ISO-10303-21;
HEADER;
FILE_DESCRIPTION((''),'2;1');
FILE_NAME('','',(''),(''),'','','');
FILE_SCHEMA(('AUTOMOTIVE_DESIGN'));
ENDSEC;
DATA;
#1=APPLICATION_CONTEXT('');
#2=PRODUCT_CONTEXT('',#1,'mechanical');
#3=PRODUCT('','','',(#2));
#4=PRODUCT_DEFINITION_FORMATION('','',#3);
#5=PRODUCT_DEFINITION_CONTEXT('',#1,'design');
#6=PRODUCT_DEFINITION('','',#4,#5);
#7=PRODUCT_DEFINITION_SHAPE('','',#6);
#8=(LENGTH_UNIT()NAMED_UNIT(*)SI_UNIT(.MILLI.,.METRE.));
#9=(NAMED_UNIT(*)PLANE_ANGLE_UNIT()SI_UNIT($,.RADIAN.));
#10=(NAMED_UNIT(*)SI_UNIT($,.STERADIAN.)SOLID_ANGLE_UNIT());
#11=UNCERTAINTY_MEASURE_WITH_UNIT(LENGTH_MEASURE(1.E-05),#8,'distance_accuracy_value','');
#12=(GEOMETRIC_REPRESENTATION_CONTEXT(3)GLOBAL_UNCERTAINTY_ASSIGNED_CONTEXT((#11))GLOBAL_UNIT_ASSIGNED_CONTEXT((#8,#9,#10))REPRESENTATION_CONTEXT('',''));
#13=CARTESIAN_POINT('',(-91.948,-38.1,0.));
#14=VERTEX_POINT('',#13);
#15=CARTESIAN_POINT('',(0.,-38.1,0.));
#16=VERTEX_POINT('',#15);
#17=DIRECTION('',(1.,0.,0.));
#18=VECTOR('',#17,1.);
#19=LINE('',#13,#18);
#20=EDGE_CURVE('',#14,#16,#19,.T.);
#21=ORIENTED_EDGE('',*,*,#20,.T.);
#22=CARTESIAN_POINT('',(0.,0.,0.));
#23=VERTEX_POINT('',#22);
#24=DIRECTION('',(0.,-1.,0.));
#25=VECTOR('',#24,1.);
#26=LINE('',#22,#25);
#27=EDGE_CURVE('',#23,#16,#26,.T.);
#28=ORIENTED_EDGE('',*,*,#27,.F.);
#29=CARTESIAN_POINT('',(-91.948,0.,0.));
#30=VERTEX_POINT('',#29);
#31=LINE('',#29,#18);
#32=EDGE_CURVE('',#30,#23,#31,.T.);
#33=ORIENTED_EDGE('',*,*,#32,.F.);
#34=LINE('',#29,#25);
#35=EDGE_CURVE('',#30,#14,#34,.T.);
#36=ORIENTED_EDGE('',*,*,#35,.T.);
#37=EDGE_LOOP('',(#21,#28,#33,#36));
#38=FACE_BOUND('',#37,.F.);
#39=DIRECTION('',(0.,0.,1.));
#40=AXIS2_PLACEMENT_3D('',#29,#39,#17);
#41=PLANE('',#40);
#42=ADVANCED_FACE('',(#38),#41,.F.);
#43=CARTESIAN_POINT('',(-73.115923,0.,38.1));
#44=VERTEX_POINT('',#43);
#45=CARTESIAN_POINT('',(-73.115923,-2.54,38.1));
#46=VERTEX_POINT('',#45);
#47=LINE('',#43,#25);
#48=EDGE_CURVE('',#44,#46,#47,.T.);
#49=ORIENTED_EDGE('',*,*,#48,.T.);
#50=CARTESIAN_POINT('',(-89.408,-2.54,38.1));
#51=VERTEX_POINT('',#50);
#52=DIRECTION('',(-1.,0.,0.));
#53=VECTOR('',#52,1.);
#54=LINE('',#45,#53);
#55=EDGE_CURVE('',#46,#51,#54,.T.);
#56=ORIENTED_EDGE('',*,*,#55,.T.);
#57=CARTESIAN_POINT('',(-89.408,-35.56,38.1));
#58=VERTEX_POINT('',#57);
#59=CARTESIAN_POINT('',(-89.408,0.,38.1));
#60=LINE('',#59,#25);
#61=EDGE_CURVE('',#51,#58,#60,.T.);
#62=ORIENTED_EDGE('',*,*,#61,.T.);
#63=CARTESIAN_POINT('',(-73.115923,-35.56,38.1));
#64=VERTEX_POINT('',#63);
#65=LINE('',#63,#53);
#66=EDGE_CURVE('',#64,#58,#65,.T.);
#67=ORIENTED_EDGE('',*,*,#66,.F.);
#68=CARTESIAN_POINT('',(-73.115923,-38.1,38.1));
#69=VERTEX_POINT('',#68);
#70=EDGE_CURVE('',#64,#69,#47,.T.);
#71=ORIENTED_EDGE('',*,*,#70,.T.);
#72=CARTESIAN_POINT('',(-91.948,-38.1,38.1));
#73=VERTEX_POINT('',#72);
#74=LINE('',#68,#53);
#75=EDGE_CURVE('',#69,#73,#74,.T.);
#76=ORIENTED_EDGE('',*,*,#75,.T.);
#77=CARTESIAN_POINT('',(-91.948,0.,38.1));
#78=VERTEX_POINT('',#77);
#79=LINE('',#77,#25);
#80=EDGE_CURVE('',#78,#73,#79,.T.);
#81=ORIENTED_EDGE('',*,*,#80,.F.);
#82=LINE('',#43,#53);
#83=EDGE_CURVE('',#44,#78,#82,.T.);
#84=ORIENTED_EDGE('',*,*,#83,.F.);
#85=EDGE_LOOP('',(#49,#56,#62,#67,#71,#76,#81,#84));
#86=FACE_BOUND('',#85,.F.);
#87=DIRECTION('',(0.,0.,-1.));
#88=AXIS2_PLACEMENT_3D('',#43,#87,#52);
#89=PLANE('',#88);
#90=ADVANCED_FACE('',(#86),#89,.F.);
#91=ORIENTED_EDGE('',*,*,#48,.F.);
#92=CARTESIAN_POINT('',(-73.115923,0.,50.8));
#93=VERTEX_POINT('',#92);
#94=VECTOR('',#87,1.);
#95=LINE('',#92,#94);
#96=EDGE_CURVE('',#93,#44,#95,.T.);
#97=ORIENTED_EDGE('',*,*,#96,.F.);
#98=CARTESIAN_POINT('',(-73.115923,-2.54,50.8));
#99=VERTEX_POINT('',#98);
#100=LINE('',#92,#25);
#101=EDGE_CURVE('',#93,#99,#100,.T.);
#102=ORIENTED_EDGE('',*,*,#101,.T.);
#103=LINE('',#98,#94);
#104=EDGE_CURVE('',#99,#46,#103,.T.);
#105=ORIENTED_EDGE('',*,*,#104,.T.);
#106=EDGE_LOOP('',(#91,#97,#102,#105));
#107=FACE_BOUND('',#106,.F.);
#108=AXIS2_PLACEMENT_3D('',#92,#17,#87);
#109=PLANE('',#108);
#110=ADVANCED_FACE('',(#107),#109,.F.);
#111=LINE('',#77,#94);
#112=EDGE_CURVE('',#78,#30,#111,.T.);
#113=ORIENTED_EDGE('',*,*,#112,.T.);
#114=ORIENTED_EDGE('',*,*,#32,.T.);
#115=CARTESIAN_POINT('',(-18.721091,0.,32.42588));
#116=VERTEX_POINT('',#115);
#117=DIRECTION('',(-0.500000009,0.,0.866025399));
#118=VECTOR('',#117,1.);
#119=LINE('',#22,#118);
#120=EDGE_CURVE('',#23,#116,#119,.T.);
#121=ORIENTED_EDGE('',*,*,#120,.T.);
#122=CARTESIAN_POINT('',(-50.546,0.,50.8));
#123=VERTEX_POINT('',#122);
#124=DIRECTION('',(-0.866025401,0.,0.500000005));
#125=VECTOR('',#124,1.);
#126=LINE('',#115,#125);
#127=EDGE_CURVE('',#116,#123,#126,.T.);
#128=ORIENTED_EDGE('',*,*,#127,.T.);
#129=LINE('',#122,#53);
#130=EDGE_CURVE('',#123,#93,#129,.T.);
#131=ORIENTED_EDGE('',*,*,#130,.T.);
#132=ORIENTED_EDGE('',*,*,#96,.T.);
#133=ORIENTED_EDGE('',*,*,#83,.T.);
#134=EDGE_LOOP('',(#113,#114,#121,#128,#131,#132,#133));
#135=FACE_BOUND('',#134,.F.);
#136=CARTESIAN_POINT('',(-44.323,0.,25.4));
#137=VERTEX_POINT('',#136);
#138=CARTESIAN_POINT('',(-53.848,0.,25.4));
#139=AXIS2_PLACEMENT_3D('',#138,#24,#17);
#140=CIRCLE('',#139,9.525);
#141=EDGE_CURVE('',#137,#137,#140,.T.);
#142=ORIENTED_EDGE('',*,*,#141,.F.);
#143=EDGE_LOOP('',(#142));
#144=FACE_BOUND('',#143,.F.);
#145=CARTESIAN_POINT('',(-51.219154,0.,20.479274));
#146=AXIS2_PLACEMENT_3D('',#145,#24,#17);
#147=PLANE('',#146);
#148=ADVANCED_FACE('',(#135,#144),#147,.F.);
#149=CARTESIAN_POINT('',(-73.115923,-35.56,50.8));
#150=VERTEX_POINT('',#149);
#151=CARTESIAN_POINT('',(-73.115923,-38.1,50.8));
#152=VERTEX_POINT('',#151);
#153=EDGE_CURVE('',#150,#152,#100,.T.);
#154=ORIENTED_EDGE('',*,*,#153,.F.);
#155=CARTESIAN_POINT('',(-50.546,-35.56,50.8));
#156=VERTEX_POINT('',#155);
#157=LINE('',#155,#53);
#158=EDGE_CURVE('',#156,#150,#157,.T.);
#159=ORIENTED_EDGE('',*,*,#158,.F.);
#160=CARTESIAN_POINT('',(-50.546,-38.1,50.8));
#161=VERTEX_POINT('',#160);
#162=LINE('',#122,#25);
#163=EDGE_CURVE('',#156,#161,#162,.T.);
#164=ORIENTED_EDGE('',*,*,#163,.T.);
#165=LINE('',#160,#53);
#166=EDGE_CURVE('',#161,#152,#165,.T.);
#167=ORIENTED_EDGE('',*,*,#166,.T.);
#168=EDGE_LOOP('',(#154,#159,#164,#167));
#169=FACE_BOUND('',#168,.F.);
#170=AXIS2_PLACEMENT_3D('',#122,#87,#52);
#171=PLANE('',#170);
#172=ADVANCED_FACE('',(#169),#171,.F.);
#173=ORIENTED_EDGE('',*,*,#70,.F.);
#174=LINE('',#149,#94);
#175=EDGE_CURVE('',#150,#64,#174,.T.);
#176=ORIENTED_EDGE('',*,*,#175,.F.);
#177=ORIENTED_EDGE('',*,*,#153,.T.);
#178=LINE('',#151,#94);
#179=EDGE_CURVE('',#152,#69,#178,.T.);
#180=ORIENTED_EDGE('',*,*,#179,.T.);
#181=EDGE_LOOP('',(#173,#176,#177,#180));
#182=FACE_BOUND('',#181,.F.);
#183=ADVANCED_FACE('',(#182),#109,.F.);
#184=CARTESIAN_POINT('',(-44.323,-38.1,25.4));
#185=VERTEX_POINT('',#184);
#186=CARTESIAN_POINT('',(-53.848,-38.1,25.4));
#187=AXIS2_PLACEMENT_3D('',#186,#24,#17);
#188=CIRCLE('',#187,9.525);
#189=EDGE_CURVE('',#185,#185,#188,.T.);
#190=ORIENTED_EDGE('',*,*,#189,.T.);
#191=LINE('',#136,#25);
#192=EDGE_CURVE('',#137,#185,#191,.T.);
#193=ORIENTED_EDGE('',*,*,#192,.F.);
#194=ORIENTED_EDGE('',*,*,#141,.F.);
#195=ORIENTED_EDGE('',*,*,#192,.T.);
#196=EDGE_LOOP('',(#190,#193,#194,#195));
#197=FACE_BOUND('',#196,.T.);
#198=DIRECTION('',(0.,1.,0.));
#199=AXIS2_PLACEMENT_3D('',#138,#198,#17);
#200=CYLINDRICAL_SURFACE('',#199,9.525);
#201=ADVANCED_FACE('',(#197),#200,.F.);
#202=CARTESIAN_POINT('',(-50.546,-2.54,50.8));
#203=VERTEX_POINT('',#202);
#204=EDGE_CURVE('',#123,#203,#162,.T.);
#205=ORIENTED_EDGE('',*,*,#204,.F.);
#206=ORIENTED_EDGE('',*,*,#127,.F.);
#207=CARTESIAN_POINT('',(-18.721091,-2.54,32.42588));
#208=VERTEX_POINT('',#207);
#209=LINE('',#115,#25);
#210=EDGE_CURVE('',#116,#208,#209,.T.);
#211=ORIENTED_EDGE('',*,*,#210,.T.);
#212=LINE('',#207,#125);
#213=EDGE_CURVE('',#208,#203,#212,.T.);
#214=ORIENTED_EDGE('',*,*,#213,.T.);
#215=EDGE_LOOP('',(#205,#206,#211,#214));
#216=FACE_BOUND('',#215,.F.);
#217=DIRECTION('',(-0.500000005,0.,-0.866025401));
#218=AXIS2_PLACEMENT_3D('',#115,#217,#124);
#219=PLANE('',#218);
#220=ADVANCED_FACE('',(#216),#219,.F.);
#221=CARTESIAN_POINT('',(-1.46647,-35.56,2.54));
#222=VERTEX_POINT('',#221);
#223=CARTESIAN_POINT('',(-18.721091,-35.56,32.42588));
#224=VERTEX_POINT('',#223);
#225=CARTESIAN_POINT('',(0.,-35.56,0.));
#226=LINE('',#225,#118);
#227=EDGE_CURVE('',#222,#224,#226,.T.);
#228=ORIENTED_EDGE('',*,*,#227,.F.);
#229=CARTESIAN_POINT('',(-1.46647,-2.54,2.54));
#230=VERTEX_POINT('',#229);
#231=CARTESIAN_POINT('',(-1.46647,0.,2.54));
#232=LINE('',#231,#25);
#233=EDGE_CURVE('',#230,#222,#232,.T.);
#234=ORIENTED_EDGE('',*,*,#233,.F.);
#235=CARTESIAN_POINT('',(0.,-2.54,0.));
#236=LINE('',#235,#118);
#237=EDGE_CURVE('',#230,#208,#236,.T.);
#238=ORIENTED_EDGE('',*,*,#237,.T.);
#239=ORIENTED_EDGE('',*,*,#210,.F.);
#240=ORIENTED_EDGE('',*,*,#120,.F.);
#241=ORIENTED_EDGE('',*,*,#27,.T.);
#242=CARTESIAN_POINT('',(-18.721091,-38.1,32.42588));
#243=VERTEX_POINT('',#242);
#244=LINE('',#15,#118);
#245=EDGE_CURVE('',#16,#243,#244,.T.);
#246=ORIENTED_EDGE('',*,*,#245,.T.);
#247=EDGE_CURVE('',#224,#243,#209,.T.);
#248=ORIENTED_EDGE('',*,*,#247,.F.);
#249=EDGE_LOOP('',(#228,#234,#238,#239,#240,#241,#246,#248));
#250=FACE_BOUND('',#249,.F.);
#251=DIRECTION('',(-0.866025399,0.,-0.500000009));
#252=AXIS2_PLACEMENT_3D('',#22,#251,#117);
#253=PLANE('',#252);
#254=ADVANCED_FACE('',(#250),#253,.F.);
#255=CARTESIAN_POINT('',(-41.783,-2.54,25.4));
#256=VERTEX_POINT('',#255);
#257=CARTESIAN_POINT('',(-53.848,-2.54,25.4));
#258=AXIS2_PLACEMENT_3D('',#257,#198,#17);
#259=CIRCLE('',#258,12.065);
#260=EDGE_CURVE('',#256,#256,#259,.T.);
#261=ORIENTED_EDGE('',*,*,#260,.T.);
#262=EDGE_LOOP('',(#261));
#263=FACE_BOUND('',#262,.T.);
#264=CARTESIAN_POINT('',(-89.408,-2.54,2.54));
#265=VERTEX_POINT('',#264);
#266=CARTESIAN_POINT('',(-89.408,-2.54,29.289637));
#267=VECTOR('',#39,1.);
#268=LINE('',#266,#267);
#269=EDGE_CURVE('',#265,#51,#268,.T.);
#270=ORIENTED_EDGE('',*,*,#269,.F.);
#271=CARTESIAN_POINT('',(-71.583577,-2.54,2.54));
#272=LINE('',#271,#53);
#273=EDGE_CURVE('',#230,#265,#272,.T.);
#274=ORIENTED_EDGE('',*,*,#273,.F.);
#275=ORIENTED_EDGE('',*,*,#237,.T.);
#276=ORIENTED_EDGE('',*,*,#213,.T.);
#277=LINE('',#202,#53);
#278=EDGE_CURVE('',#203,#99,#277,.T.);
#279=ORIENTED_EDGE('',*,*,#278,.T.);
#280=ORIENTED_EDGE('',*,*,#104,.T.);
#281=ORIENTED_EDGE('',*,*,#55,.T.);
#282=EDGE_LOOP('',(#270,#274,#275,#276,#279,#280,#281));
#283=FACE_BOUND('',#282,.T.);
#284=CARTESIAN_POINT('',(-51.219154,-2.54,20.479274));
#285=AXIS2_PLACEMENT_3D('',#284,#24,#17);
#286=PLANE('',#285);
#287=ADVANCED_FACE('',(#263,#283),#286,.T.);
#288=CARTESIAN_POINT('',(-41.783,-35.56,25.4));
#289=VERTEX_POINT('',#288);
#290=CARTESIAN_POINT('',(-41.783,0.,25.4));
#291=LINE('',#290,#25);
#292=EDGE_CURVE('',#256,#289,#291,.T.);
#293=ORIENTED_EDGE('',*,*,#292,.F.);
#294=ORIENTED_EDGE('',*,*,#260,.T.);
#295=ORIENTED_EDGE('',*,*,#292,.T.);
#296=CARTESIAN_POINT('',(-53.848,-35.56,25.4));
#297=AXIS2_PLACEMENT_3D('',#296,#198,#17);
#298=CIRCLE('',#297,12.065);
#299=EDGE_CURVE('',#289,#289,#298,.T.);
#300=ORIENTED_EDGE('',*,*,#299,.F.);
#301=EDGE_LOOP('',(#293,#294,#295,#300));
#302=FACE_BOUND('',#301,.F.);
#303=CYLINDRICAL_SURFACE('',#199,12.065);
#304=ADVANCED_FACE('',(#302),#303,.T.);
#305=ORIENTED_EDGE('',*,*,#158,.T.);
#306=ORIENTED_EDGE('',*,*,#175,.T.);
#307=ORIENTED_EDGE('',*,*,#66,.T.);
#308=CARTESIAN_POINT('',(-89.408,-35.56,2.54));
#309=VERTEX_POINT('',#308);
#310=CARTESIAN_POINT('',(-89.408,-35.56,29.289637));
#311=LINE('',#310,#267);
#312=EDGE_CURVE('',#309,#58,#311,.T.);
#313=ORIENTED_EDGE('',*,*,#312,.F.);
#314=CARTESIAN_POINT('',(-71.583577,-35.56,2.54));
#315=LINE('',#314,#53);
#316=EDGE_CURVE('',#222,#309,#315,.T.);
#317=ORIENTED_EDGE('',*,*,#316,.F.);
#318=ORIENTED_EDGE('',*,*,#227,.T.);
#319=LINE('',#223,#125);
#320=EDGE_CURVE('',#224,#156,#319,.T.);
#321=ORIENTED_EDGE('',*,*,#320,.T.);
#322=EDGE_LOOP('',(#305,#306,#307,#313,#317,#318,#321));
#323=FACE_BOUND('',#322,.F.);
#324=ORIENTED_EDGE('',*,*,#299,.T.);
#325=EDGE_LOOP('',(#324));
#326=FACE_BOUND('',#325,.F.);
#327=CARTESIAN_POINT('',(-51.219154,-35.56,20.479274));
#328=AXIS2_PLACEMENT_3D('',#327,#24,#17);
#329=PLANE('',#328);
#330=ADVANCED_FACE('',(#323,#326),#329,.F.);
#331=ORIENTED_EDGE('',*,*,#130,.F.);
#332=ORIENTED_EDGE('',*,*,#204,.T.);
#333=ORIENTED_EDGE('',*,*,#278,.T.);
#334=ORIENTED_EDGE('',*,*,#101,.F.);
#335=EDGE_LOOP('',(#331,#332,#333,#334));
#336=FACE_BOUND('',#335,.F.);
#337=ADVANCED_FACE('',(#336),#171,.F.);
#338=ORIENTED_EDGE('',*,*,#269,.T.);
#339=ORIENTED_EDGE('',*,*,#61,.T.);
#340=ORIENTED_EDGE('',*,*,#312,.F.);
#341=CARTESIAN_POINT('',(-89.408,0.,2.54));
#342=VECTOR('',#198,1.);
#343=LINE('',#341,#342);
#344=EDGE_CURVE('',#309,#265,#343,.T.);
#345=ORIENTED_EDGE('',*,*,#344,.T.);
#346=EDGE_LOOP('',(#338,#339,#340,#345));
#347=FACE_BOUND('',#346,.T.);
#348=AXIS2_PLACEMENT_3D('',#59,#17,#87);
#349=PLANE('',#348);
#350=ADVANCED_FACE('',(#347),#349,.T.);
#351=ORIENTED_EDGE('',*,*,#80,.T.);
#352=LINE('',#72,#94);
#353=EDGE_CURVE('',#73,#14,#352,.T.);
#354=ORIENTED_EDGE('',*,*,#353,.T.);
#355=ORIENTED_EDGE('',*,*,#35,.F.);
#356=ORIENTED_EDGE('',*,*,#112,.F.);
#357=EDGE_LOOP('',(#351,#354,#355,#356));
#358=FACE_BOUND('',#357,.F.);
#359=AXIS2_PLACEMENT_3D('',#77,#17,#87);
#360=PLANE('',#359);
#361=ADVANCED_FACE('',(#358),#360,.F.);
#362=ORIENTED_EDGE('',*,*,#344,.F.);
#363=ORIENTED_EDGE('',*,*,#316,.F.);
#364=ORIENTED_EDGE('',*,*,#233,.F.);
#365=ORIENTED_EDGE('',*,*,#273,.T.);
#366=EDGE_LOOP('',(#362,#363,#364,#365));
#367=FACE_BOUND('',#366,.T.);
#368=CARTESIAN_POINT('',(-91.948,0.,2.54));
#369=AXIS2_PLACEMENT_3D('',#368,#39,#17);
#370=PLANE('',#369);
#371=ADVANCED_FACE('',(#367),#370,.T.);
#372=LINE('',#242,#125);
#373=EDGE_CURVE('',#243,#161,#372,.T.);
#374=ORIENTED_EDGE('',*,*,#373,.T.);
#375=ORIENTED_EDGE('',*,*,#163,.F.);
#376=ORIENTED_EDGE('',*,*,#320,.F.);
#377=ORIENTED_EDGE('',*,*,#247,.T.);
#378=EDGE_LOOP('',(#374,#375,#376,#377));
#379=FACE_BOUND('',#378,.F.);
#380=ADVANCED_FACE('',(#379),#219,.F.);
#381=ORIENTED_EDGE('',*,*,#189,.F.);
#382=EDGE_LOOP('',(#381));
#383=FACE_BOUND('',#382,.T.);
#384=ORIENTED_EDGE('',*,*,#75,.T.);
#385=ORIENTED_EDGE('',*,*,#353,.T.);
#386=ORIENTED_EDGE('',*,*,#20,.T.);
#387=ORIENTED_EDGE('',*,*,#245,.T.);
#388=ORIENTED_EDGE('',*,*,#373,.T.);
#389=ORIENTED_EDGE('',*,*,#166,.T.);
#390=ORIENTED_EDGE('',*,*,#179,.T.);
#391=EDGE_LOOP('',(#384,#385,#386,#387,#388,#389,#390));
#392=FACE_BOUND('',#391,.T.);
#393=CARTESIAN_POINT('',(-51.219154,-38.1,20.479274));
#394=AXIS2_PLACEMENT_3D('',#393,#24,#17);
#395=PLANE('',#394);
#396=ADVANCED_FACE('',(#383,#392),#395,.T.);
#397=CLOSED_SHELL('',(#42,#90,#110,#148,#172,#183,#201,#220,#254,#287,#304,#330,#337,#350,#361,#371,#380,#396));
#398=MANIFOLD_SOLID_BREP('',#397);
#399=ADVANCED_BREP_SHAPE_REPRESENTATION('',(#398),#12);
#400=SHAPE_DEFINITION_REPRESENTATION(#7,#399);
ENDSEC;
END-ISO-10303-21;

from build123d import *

# Parameters (mm, degrees)
F0_R     = 9.525
F1_DEPTH = 38.1
F2_T     = -2.54


with BuildPart() as f1:
    # F0 (on Front) → F1 (new body)
    with BuildSketch(Plane.XZ):
        Polygon((-91.948, 0), (0, 0), (-18.721091, 32.42588), (-50.546, 50.8), (-73.115923, 50.8), (-73.115923, 38.1), (-91.948, 38.1), align=None)
        with Locations((-53.848, 25.4)):
            Circle(F0_R, mode=Mode.SUBTRACT)
    extrude(amount=F1_DEPTH)

    # F2
    f2_openings = [f1.faces().sort_by_distance(p)[0] for p in [
        (-73.115923, -19.05, 44.45),
        (-82.531961, -19.05, 38.1),
        (-61.830961, -19.05, 50.8),
        (-34.633545, -19.05, 41.61294),
        (-9.360545, -19.05, 16.21294),
    ]]
    offset(amount=F2_T, openings=f2_openings)


solid = f1.part
